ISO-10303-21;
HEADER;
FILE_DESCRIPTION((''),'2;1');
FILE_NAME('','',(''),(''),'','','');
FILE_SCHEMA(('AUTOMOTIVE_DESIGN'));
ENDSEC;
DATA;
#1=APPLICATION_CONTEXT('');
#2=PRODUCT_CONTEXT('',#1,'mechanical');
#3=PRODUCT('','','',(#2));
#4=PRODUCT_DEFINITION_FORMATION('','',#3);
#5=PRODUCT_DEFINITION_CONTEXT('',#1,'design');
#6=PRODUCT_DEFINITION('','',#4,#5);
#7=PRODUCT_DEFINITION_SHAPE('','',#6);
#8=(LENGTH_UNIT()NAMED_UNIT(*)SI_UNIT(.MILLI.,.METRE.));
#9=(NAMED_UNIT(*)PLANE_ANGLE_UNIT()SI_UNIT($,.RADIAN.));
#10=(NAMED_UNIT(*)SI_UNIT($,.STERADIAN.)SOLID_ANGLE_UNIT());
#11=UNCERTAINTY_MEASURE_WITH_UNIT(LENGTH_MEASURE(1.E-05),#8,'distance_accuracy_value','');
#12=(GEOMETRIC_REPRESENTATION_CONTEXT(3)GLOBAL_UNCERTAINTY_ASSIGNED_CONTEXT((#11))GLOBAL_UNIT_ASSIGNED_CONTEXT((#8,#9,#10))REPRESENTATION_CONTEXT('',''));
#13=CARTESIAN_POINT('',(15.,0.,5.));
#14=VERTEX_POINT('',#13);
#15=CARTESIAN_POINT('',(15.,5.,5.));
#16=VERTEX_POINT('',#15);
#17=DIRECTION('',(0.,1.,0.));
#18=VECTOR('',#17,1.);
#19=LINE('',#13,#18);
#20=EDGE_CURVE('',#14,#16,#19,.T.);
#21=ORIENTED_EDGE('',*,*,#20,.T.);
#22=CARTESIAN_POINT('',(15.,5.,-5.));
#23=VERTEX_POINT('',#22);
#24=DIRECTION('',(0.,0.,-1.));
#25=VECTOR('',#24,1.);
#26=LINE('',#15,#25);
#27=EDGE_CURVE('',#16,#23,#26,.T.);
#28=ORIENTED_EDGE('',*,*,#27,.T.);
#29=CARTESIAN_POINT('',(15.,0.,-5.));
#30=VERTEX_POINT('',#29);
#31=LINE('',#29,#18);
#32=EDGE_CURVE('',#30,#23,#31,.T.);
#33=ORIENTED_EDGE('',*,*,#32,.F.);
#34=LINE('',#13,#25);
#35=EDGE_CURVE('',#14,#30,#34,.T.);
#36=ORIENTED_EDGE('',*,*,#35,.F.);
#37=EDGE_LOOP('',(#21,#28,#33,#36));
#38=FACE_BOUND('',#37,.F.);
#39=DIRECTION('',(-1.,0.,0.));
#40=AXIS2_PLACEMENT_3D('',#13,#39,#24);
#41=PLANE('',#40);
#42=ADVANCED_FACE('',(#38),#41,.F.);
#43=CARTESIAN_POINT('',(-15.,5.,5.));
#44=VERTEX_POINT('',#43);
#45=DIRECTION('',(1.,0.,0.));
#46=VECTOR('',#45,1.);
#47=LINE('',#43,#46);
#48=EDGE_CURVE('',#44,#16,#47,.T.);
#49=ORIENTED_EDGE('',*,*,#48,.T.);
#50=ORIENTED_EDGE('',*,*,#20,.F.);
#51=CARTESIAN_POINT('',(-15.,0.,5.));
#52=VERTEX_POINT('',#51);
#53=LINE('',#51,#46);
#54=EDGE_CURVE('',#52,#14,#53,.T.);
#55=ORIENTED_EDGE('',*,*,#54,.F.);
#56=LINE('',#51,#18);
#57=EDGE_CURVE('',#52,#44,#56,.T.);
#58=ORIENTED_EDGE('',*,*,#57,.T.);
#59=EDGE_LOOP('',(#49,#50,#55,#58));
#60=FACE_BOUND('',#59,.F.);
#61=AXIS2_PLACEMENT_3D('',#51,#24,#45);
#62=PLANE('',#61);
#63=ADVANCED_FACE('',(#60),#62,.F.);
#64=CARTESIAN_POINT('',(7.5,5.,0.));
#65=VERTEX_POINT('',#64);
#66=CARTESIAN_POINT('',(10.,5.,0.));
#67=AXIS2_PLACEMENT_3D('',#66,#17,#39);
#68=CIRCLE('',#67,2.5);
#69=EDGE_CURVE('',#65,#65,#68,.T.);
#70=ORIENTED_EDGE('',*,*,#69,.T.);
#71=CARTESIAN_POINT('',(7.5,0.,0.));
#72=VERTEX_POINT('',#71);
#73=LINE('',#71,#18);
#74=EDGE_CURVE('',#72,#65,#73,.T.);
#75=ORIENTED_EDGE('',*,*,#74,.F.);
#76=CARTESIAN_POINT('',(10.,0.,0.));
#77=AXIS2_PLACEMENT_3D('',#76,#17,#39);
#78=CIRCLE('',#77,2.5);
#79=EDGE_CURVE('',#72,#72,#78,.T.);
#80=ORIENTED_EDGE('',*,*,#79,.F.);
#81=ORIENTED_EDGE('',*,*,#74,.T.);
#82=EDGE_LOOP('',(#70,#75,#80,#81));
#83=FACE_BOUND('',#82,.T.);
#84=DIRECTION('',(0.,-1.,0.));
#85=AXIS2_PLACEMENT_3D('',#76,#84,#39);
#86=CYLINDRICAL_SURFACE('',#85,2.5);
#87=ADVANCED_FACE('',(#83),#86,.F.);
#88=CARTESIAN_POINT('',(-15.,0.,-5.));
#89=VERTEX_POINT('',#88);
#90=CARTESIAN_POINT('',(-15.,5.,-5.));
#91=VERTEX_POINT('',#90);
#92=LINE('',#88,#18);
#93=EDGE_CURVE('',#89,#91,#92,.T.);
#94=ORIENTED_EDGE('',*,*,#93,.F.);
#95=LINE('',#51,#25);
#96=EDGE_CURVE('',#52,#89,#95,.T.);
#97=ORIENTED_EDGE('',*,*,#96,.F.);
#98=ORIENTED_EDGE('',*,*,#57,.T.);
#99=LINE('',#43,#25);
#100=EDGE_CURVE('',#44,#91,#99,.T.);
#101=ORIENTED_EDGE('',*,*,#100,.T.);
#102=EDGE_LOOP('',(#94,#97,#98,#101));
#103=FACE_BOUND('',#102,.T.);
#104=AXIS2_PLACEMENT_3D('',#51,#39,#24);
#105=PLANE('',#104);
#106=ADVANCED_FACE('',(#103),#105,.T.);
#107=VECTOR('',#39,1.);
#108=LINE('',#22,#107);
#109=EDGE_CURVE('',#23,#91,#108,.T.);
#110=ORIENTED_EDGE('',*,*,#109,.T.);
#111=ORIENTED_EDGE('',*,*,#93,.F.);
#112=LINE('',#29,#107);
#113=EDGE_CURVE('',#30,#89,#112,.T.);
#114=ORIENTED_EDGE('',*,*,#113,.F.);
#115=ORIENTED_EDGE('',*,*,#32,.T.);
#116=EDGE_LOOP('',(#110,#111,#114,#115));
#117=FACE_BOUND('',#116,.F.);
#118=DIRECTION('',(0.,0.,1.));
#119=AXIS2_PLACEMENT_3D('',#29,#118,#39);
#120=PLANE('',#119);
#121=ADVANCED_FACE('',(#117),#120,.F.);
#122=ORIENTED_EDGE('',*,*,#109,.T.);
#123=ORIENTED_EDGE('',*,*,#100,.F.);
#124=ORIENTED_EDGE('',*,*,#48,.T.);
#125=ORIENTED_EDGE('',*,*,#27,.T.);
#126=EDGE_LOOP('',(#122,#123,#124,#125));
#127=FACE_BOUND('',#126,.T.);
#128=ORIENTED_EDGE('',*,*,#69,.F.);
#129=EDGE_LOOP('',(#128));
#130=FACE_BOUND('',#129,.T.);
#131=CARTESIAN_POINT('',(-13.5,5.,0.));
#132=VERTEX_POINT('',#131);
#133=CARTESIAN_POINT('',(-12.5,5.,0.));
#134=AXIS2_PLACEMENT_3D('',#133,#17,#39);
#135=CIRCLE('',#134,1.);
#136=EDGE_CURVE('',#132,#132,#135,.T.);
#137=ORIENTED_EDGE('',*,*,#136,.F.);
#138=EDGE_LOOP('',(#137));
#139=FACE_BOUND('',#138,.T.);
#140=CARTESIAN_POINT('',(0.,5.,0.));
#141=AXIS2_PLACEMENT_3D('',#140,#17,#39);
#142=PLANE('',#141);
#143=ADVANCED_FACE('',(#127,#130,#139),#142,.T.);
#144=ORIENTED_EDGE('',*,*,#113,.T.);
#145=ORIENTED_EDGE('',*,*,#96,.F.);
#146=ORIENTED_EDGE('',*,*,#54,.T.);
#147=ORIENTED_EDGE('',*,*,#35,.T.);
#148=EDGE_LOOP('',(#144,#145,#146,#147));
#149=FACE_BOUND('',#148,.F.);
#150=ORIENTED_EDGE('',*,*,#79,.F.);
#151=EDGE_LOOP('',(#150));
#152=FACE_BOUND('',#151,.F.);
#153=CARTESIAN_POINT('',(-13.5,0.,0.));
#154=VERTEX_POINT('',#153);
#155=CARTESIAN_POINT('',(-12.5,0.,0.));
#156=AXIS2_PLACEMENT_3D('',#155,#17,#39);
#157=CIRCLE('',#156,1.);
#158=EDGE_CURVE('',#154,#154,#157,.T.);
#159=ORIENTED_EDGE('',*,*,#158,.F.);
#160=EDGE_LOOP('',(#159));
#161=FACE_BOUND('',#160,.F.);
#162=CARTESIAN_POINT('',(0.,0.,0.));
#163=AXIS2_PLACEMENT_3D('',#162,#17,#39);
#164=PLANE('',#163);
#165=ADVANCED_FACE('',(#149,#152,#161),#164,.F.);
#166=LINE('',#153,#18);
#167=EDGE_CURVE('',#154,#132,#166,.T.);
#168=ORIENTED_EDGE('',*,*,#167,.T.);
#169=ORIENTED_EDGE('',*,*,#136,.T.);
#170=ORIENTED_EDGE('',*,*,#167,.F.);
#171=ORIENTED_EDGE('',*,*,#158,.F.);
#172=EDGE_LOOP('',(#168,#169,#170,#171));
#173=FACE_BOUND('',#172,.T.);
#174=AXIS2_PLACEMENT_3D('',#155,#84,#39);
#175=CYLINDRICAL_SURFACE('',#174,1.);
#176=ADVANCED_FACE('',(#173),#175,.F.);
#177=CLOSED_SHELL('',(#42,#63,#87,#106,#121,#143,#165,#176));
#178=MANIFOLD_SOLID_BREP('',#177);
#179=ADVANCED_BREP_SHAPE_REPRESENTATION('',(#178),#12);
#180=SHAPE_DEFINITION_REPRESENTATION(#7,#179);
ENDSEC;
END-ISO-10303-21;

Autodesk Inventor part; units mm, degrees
ref_plane "YZ Plane" through (0, 0, 0) normal (1, 0, 0) x (0, 1, 0)
ref_plane "XZ Plane" through (0, 0, 0) normal (0, 1, 0) x (-1, 0, 0)
ref_plane "XY Plane" through (0, 0, 0) normal (0, 0, 1) x (1, 0, 0)
sketch "Sketch1" plane through (0, 0, 0) normal (0, 1, 0) x (-1, 0, 0)
  line L0 (-15, -5) -> (15, -5)
  line L1 (15, 0) -> (15, 0)
  line L2 (15, 5) -> (-15, 5)
  line L3 (-15, 0) -> (-15, 0)
  line L4 (-15, -5) -> (15, 5) construction
  line L5 (15, -5) -> (-15, 5) construction
  circle A0 centre (12.5, 0) radius 1
  circle A1 centre (-10, 0) radius 2.5
  line L6 (-15, 5) -> (-15, -5)
  line L7 (15, 5) -> (15, -5)
  point P0 (0, 0)
  dimension "d0" = 10
  dimension "d1" = 30
  dimension "d3" = 2
  dimension "d4" = 5
  dimension "d5" = 5
  dimension "d6" = 2.5
  dimension "d7" = 5
  dimension "d8" = 5
extrude "Extrusion1" add sketch "Sketch1" along normal blind 5
properties part number "link"
